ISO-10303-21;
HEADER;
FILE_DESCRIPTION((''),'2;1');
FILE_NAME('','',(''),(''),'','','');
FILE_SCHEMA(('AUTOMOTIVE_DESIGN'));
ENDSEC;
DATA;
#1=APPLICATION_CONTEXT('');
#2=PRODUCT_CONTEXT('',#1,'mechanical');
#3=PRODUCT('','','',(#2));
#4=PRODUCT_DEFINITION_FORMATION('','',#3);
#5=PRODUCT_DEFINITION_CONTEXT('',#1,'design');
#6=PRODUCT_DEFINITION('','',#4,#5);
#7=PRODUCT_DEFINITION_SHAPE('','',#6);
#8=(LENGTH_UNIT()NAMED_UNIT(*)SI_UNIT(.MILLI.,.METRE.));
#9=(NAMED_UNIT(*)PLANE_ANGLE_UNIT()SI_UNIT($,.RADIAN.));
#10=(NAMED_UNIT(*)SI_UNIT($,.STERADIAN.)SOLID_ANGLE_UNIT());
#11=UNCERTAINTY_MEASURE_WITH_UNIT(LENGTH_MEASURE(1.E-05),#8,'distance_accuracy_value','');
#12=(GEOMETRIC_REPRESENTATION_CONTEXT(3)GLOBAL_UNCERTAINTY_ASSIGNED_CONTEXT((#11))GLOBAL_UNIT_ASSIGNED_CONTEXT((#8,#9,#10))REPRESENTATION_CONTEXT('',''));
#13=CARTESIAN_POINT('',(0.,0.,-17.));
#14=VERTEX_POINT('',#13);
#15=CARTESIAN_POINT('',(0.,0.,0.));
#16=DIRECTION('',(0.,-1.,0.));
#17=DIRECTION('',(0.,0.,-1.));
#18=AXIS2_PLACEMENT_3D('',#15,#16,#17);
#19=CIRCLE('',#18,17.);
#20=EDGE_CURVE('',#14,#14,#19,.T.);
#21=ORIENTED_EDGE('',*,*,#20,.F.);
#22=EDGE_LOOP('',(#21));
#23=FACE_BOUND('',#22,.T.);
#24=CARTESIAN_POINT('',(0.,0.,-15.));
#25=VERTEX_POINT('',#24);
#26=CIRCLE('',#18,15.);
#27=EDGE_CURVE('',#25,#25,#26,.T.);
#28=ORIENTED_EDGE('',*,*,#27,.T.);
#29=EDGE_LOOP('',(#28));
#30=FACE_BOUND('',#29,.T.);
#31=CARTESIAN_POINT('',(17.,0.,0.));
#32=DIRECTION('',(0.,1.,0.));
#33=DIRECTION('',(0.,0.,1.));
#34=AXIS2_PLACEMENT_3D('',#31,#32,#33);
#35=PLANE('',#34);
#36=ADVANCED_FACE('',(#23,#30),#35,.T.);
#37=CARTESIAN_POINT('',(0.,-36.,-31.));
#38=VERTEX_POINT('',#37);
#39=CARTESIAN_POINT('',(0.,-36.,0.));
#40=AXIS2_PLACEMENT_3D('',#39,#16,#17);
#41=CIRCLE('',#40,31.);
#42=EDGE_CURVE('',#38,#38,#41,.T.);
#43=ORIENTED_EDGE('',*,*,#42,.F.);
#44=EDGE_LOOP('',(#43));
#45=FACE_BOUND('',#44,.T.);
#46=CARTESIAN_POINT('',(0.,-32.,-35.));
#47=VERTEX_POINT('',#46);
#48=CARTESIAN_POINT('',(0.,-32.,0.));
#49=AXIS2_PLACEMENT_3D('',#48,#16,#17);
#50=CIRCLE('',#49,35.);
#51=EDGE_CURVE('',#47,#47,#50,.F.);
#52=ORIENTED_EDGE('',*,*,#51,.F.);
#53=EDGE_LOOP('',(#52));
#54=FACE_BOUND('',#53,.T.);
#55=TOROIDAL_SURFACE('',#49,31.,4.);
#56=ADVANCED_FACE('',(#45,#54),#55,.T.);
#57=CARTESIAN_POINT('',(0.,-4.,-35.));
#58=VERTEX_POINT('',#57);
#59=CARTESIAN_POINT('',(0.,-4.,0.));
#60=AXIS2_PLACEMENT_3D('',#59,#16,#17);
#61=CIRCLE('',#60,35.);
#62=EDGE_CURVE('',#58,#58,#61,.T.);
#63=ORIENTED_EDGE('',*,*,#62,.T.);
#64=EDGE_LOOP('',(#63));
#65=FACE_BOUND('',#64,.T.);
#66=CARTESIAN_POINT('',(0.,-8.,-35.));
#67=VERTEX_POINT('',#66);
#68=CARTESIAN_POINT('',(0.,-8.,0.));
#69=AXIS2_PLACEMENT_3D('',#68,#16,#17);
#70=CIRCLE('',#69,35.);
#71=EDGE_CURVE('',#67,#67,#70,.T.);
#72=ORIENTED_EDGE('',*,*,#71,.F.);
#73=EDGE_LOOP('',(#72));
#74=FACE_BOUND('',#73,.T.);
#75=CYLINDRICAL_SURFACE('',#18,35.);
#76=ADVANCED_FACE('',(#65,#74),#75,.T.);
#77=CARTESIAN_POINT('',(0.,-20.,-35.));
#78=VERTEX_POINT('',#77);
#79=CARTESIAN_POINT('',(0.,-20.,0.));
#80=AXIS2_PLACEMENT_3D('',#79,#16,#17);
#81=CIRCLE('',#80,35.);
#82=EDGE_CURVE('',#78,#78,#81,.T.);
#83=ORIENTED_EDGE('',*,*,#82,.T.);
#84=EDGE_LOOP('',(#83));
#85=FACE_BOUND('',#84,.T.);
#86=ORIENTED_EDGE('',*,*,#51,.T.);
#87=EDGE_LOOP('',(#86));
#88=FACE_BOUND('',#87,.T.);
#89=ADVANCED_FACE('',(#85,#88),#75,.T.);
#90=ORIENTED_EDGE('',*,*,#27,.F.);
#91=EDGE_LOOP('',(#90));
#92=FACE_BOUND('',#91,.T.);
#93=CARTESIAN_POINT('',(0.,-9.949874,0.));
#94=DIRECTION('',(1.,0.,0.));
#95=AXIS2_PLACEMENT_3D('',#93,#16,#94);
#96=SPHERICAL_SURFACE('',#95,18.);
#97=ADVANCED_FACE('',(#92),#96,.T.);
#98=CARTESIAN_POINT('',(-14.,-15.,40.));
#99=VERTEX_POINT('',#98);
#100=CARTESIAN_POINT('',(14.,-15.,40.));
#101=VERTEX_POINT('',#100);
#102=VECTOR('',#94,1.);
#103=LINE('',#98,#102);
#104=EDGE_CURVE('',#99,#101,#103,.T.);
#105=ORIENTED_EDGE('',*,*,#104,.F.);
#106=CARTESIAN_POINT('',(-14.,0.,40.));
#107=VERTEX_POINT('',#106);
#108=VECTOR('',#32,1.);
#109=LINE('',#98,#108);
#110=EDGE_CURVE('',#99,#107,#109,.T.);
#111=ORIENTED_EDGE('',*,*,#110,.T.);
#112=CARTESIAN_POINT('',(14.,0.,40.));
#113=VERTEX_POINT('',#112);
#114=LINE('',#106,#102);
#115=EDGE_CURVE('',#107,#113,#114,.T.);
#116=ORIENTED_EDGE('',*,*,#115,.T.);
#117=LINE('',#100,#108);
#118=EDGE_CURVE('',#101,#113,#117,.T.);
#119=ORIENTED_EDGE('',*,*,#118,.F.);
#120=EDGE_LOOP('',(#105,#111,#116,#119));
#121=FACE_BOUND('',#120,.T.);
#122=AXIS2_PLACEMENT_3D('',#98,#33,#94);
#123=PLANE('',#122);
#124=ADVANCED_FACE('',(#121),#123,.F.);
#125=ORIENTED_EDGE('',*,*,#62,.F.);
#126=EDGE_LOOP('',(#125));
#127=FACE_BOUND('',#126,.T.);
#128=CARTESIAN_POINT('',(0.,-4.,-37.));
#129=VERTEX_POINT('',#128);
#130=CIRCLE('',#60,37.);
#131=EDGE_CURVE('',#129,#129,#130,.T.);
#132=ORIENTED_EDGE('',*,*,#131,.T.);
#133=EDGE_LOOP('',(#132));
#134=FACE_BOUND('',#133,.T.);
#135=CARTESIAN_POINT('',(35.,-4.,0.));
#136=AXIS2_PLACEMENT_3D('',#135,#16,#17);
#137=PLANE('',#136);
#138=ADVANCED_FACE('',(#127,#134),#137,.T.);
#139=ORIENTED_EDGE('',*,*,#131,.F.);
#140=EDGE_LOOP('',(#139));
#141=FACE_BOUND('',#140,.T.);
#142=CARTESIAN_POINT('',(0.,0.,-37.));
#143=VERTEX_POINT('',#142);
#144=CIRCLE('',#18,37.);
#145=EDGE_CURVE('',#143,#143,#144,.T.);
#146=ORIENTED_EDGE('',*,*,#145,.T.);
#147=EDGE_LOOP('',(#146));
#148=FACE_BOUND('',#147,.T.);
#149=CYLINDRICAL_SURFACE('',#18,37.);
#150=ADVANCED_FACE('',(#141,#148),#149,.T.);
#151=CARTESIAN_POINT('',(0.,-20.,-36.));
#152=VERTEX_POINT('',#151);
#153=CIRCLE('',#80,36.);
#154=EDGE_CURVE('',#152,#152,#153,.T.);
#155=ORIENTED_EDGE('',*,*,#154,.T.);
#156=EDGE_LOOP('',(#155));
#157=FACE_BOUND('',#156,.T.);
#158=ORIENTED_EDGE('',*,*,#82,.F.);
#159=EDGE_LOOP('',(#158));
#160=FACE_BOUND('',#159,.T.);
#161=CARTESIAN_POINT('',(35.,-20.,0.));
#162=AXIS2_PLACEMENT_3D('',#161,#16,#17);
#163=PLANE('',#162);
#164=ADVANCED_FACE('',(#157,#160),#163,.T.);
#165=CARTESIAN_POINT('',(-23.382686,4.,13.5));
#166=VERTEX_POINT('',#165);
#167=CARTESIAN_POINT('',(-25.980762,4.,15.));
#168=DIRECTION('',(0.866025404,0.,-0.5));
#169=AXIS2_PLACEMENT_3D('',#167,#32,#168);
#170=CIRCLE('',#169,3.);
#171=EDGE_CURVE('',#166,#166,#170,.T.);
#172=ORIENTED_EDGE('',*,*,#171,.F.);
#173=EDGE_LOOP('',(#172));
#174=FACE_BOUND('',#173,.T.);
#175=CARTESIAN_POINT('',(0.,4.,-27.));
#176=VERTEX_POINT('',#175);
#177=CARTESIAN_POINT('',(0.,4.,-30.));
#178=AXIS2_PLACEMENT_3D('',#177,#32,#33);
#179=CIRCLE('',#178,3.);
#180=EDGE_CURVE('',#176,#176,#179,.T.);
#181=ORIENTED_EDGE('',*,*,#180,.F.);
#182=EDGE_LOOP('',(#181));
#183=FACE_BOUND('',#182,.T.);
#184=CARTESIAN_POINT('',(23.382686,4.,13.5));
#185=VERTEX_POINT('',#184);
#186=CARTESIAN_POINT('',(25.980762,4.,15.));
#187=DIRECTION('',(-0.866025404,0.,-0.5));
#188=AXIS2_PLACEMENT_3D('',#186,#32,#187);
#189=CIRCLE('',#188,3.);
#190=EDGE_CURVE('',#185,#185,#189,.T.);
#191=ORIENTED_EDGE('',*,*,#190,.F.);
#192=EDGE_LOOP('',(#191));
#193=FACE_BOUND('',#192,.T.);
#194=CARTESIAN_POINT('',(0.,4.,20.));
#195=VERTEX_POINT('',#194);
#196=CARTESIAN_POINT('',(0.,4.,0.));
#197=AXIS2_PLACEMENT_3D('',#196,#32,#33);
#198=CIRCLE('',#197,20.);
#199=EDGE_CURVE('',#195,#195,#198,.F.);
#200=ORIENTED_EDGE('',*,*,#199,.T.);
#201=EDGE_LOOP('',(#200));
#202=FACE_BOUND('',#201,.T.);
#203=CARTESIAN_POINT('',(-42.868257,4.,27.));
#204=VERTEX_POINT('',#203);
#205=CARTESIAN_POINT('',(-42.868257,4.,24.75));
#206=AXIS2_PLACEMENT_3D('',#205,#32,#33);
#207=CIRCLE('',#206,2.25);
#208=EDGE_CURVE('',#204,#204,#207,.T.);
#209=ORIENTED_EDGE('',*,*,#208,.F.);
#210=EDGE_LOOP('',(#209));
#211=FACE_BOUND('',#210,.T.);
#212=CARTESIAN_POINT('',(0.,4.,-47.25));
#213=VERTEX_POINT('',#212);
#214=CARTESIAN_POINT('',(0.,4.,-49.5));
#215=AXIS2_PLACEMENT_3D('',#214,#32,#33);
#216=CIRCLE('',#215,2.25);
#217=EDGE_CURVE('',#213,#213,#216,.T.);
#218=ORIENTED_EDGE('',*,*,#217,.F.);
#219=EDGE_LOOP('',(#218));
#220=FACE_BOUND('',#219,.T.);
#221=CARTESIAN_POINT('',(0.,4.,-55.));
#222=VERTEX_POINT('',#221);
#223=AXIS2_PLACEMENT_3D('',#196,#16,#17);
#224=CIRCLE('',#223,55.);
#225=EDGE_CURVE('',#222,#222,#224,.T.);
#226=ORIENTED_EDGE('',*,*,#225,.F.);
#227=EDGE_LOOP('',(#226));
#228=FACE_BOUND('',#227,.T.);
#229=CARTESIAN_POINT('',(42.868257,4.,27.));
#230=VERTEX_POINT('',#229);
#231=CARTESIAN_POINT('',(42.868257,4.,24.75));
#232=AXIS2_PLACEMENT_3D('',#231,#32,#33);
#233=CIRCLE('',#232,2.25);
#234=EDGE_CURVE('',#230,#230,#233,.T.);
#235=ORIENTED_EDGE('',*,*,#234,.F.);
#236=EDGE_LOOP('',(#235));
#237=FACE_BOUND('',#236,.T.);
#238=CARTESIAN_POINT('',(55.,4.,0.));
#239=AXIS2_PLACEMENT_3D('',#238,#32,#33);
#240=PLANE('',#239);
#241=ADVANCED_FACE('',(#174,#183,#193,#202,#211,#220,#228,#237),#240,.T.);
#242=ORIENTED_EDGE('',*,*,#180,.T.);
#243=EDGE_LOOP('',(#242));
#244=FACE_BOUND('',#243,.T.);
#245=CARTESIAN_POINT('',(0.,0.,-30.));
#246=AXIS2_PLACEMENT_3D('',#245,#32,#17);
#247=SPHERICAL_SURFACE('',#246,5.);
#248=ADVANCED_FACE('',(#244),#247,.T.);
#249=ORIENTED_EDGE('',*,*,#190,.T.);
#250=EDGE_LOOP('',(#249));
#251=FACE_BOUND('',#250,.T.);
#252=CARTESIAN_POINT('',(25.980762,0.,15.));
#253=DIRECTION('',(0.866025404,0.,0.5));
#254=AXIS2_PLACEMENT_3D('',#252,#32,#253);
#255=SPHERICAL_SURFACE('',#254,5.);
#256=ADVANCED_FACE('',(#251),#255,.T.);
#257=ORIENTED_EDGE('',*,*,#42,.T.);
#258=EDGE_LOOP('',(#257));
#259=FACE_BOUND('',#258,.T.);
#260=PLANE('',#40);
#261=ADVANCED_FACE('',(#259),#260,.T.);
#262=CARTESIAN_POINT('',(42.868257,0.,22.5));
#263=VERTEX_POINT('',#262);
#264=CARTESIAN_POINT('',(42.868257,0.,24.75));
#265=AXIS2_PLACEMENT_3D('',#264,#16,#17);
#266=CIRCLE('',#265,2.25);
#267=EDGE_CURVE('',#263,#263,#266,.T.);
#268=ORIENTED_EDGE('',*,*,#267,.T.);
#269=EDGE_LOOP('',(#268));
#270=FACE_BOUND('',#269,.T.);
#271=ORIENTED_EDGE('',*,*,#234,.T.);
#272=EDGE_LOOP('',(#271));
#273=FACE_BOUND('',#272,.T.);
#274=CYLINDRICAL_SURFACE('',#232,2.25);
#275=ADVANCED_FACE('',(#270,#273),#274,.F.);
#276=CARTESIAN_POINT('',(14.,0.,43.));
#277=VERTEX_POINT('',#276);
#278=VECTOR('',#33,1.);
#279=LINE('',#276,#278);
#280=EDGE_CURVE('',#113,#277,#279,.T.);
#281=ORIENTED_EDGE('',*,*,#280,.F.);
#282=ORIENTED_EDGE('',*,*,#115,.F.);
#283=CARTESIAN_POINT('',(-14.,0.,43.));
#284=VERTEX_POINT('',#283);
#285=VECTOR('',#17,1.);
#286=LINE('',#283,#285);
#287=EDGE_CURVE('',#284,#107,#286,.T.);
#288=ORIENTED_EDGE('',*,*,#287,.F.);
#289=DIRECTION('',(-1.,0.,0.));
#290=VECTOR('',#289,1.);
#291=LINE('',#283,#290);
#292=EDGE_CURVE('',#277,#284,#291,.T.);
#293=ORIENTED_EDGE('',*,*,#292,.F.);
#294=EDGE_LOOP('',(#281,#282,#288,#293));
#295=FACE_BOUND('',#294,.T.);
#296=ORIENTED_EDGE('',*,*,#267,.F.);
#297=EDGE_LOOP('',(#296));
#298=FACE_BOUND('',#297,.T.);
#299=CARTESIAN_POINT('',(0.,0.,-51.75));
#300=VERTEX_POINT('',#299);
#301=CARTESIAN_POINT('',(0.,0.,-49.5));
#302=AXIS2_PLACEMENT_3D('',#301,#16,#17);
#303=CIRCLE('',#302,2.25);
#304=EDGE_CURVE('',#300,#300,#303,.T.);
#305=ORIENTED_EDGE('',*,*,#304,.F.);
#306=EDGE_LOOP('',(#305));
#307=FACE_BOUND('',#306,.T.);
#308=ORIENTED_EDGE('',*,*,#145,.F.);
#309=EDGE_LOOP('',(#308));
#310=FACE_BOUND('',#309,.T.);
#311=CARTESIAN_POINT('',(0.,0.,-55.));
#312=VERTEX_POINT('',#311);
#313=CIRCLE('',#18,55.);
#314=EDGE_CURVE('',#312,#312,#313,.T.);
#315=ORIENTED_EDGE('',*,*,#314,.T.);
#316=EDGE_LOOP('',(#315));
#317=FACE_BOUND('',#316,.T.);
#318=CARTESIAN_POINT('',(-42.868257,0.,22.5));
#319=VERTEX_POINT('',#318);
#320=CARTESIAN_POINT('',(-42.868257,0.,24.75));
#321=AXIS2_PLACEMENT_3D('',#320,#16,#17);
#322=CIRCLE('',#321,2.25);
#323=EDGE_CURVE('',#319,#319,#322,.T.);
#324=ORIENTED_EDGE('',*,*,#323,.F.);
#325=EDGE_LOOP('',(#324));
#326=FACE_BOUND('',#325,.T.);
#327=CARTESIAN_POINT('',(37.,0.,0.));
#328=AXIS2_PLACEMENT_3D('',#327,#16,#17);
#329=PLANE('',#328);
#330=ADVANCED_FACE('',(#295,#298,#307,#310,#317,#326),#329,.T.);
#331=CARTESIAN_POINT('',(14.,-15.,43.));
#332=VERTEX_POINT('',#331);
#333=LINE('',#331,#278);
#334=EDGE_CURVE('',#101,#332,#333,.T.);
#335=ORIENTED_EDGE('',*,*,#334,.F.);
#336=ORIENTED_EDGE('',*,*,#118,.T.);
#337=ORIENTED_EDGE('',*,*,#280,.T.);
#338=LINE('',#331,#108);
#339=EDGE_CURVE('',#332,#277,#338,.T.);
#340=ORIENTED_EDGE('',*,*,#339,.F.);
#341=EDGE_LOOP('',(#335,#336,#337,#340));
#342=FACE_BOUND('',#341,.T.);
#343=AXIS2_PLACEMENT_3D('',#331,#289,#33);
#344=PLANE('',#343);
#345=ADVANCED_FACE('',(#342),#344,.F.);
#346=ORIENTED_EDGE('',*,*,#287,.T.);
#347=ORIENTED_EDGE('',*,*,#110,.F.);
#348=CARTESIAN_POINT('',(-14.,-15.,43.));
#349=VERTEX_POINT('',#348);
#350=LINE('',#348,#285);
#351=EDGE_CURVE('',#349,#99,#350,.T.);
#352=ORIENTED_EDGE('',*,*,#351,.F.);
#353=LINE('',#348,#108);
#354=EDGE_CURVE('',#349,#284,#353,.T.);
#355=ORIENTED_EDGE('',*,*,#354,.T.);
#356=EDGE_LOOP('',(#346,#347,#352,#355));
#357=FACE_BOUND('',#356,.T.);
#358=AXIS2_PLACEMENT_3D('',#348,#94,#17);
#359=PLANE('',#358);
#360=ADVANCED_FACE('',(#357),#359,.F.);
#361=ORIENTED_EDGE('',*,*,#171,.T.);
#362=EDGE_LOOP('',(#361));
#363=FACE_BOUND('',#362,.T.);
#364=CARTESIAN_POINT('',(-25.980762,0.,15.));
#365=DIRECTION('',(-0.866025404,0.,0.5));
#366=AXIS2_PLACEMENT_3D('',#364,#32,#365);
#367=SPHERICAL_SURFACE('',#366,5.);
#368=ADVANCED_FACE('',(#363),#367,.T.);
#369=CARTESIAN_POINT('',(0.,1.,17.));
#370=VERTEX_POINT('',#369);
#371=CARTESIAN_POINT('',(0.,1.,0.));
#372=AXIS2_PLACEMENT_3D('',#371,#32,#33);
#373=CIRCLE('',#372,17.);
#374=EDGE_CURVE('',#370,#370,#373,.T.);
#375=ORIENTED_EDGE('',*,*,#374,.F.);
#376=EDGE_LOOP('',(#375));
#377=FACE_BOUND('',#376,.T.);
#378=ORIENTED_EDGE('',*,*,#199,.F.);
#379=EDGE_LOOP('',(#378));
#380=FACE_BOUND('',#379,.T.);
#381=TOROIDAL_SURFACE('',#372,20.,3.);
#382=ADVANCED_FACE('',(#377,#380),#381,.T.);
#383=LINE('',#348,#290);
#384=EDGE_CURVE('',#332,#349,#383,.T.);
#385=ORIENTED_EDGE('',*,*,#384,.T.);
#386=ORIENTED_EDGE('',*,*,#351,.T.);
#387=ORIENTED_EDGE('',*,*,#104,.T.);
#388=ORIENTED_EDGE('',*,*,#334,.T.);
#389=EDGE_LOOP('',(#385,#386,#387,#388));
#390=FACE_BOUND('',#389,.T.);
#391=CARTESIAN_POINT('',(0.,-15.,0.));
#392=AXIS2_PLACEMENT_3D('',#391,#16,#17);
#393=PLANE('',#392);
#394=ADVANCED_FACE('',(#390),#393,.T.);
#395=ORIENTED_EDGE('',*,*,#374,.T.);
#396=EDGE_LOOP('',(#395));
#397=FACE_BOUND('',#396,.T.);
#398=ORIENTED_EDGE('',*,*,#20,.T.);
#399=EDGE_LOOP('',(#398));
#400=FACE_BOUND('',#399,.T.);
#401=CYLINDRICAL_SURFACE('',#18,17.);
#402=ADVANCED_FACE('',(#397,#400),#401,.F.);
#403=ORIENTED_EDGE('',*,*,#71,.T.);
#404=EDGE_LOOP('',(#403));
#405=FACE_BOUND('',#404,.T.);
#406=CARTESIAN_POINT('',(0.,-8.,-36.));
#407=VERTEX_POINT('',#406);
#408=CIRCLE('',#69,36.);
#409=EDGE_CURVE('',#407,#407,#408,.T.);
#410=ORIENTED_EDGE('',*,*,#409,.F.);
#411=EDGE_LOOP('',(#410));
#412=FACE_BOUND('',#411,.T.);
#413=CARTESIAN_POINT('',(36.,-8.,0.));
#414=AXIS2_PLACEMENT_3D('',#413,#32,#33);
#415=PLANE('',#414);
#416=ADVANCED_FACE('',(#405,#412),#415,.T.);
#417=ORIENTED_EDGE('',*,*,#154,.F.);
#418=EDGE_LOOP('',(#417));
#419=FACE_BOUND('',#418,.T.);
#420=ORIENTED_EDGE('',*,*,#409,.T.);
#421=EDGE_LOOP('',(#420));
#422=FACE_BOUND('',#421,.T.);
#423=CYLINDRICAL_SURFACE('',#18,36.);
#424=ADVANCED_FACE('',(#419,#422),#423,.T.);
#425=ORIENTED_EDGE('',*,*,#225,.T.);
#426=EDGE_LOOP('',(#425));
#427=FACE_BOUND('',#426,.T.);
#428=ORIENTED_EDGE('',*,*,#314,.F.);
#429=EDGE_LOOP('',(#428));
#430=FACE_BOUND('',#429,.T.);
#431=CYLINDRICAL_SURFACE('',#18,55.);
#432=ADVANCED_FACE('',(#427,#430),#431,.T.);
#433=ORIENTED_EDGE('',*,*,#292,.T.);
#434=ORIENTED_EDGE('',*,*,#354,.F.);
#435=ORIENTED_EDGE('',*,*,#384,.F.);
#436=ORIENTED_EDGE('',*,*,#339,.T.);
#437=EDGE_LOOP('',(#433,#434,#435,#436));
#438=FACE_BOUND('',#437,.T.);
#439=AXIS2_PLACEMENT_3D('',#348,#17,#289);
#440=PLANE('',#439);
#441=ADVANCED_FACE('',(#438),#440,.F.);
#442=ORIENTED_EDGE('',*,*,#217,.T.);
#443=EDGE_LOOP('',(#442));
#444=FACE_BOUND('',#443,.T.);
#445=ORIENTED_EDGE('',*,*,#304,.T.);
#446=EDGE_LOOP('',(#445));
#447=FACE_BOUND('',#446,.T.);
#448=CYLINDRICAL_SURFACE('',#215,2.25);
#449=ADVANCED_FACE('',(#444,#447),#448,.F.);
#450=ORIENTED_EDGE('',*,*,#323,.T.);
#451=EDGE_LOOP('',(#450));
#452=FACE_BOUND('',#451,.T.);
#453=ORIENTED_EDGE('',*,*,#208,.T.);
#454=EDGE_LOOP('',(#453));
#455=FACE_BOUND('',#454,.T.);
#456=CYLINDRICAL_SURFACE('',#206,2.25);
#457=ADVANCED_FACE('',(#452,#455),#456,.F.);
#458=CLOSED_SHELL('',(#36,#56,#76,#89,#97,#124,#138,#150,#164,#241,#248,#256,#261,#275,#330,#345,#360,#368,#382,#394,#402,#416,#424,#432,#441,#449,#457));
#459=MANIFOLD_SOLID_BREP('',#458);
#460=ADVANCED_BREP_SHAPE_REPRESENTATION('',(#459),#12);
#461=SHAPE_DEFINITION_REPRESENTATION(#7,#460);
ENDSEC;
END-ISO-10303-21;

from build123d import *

# Parameters (mm, degrees)
FILLET1_R                = 4
FILLET2_R                = 3
M4_CLEARANCE_HOLE1_D     = 4.5
M4_CLEARANCE_HOLE1_DEPTH = 12
CIRPATTERN1_COUNT        = 3
SKETCH7_W                = 28
SKETCH7_H                = 3
BOSS_EXTRUDE1_DEPTH      = 15


with BuildPart() as part:
    # Sketch2 → Revolve1 (revolve)
    with BuildSketch(Plane.XY):
        with BuildLine():
            Line((0, 8.050125629), (0, -36))
            Line((0, -36), (35, -36))
            Line((35, -36), (35, -20))
            Line((35, -20), (36, -20))
            Line((36, -20), (36, -8))
            Line((36, -8), (35, -8))
            Line((35, -8), (35, -4))
            Line((35, -4), (37, -4))
            Line((37, -4), (37, 0))
            Line((37, 0), (55, 0))
            Line((55, 0), (55, 4))
            Line((55, 4), (17, 4))
            Line((17, 4), (17, 0))
            Line((17, 0), (15, 0))
            ThreePointArc((15, 0), (8.511822993, 5.91041785), (0, 8.050125629))
        make_face()
    revolve(axis=Axis((0, 0, 0), (0, 1, 0)))

    # Fillet1
    fillet1_edges = [part.edges().sort_by_distance(p)[0] for p in [
        (-35, -36, 0),
    ]]
    fillet(fillet1_edges, radius=FILLET1_R)

    # Fillet2
    fillet2_edges = [part.edges().sort_by_distance(p)[0] for p in [
        (-17, 4, 0),
    ]]
    fillet(fillet2_edges, radius=FILLET2_R)

    # M4 Clearance Hole1
    with Locations(Plane(origin=(0, 4, 0), x_dir=(1, 0, 0), z_dir=(0, 1, 0))):
        with Locations((0, 49.5)):
            m4_clearance_hole1 = Hole(M4_CLEARANCE_HOLE1_D / 2, depth=M4_CLEARANCE_HOLE1_DEPTH)

    # Sketch6 → Revolve3 (revolve)
    with BuildSketch(Plane(origin=(0, 0, 0), x_dir=(0, 0, -1), z_dir=(1, 0, 0))):
        with BuildLine():
            Line((33, 4), (30, 4))
            Line((30, 4), (30, 5))
            ThreePointArc((30, 5), (31.58113883, 4.74341649), (33, 4))
        make_face()
    revolve3 = revolve(axis=Axis((0, 5, -30), (0, -1, 0)))

    # CirPattern1: M4 Clearance Hole1, Revolve3 ×3 about axis
    cirpattern1_axis = Axis((0, 0, 0), (0, 1, 0))
    for i in range(1, CIRPATTERN1_COUNT):
        add(m4_clearance_hole1.rotate(cirpattern1_axis, i * 360 / CIRPATTERN1_COUNT), mode=Mode.SUBTRACT)
        add(revolve3.rotate(cirpattern1_axis, i * 360 / CIRPATTERN1_COUNT))

    # Sketch7 → Boss-Extrude1 (add)
    with BuildSketch(Plane.XZ):
        with Locations((0, 41.5)):
            Rectangle(SKETCH7_W, SKETCH7_H)
    extrude(amount=BOSS_EXTRUDE1_DEPTH)


solid = part.part
